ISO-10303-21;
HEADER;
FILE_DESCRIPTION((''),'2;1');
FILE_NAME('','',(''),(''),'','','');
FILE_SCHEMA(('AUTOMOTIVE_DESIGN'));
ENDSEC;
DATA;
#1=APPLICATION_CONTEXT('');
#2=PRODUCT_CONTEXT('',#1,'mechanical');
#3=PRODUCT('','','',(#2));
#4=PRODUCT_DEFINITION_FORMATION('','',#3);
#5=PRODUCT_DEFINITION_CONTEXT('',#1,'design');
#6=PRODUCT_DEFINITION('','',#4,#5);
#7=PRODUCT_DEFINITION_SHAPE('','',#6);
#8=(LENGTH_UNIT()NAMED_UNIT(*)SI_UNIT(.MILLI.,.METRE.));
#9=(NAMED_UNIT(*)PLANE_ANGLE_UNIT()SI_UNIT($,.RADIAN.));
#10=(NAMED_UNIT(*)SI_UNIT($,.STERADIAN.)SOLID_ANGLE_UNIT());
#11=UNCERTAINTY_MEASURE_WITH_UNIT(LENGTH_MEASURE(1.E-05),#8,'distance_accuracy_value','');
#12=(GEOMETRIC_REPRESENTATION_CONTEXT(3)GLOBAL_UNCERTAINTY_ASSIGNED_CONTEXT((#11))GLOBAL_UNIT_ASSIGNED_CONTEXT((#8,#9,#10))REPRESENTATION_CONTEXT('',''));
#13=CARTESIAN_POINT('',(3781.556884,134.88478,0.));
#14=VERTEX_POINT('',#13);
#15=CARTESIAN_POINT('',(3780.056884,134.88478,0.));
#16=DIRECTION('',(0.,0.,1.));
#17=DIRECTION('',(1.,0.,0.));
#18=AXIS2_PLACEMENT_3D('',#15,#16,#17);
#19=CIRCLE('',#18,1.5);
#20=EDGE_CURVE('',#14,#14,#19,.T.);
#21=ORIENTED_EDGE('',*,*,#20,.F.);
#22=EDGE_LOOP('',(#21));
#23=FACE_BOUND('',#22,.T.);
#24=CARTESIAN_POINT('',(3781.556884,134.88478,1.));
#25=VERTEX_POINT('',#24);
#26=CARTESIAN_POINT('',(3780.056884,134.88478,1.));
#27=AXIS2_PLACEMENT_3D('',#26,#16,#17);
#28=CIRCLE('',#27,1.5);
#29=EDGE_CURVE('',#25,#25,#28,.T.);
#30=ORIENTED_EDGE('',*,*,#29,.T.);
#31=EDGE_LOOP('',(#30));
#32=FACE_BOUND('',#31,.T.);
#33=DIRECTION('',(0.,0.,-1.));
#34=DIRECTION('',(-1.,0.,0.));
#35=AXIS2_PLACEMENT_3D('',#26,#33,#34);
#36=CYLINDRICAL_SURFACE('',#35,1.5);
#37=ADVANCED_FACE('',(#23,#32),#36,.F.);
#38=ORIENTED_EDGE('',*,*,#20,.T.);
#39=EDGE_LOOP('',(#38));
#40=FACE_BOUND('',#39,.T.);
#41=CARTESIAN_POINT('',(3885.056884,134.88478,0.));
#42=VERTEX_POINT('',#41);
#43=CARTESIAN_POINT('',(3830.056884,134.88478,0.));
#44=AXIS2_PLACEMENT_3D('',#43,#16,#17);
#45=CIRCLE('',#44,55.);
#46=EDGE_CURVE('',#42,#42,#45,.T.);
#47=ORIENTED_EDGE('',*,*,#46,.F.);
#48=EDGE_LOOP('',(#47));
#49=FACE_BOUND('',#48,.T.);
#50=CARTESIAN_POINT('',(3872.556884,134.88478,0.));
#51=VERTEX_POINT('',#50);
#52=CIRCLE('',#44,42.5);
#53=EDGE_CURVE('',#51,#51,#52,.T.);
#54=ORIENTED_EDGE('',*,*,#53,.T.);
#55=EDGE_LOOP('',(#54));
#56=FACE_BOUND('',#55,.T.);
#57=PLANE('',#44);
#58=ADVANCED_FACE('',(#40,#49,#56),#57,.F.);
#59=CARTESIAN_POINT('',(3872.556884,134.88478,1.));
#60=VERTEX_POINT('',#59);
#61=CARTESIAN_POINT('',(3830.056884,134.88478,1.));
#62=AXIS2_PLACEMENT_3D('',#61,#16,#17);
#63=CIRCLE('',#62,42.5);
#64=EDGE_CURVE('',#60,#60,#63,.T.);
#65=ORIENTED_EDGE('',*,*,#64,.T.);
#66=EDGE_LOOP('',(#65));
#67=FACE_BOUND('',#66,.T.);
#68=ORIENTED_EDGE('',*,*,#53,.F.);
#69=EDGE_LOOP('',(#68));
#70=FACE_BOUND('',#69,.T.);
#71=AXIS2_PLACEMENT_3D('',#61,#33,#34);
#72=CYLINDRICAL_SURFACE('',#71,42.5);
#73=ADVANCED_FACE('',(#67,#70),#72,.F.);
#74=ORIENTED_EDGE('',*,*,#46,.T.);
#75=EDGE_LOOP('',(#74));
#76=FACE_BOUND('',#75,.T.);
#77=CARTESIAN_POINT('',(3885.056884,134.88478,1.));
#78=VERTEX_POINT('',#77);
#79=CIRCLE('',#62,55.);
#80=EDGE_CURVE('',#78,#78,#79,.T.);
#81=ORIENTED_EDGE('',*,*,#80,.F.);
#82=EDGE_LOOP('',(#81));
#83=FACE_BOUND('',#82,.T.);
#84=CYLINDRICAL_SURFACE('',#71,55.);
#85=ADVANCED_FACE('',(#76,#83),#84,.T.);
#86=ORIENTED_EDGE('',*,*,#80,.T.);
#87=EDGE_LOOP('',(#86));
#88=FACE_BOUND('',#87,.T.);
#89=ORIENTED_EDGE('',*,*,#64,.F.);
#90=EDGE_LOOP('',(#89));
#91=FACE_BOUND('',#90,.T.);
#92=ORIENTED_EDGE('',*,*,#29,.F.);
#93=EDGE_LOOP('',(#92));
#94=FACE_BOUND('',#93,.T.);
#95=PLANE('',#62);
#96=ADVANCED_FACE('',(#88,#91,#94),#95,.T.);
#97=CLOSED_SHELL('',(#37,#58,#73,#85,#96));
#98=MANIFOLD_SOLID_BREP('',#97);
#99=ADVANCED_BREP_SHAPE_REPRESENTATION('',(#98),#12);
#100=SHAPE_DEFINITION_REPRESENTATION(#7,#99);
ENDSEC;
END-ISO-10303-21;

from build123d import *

# Parameters (mm, degrees)
SKETCH_1_R      = 55
SKETCH_1_R_2    = 42.5
SKETCH_1_R_3    = 1.5
EXTRUDE_1_DEPTH = 1


with BuildPart() as part:
    # 草图1 → 凸台-拉伸1 (new body)
    with BuildSketch(Plane.XY):
        with Locations((3830.05688408, 134.884780453)):
            Circle(SKETCH_1_R)
        with Locations((3830.05688408, 134.884780453)):
            Circle(SKETCH_1_R_2, mode=Mode.SUBTRACT)
        with Locations((3780.05688408, 134.884780453)):
            Circle(SKETCH_1_R_3, mode=Mode.SUBTRACT)
    extrude(amount=EXTRUDE_1_DEPTH)


solid = part.part
